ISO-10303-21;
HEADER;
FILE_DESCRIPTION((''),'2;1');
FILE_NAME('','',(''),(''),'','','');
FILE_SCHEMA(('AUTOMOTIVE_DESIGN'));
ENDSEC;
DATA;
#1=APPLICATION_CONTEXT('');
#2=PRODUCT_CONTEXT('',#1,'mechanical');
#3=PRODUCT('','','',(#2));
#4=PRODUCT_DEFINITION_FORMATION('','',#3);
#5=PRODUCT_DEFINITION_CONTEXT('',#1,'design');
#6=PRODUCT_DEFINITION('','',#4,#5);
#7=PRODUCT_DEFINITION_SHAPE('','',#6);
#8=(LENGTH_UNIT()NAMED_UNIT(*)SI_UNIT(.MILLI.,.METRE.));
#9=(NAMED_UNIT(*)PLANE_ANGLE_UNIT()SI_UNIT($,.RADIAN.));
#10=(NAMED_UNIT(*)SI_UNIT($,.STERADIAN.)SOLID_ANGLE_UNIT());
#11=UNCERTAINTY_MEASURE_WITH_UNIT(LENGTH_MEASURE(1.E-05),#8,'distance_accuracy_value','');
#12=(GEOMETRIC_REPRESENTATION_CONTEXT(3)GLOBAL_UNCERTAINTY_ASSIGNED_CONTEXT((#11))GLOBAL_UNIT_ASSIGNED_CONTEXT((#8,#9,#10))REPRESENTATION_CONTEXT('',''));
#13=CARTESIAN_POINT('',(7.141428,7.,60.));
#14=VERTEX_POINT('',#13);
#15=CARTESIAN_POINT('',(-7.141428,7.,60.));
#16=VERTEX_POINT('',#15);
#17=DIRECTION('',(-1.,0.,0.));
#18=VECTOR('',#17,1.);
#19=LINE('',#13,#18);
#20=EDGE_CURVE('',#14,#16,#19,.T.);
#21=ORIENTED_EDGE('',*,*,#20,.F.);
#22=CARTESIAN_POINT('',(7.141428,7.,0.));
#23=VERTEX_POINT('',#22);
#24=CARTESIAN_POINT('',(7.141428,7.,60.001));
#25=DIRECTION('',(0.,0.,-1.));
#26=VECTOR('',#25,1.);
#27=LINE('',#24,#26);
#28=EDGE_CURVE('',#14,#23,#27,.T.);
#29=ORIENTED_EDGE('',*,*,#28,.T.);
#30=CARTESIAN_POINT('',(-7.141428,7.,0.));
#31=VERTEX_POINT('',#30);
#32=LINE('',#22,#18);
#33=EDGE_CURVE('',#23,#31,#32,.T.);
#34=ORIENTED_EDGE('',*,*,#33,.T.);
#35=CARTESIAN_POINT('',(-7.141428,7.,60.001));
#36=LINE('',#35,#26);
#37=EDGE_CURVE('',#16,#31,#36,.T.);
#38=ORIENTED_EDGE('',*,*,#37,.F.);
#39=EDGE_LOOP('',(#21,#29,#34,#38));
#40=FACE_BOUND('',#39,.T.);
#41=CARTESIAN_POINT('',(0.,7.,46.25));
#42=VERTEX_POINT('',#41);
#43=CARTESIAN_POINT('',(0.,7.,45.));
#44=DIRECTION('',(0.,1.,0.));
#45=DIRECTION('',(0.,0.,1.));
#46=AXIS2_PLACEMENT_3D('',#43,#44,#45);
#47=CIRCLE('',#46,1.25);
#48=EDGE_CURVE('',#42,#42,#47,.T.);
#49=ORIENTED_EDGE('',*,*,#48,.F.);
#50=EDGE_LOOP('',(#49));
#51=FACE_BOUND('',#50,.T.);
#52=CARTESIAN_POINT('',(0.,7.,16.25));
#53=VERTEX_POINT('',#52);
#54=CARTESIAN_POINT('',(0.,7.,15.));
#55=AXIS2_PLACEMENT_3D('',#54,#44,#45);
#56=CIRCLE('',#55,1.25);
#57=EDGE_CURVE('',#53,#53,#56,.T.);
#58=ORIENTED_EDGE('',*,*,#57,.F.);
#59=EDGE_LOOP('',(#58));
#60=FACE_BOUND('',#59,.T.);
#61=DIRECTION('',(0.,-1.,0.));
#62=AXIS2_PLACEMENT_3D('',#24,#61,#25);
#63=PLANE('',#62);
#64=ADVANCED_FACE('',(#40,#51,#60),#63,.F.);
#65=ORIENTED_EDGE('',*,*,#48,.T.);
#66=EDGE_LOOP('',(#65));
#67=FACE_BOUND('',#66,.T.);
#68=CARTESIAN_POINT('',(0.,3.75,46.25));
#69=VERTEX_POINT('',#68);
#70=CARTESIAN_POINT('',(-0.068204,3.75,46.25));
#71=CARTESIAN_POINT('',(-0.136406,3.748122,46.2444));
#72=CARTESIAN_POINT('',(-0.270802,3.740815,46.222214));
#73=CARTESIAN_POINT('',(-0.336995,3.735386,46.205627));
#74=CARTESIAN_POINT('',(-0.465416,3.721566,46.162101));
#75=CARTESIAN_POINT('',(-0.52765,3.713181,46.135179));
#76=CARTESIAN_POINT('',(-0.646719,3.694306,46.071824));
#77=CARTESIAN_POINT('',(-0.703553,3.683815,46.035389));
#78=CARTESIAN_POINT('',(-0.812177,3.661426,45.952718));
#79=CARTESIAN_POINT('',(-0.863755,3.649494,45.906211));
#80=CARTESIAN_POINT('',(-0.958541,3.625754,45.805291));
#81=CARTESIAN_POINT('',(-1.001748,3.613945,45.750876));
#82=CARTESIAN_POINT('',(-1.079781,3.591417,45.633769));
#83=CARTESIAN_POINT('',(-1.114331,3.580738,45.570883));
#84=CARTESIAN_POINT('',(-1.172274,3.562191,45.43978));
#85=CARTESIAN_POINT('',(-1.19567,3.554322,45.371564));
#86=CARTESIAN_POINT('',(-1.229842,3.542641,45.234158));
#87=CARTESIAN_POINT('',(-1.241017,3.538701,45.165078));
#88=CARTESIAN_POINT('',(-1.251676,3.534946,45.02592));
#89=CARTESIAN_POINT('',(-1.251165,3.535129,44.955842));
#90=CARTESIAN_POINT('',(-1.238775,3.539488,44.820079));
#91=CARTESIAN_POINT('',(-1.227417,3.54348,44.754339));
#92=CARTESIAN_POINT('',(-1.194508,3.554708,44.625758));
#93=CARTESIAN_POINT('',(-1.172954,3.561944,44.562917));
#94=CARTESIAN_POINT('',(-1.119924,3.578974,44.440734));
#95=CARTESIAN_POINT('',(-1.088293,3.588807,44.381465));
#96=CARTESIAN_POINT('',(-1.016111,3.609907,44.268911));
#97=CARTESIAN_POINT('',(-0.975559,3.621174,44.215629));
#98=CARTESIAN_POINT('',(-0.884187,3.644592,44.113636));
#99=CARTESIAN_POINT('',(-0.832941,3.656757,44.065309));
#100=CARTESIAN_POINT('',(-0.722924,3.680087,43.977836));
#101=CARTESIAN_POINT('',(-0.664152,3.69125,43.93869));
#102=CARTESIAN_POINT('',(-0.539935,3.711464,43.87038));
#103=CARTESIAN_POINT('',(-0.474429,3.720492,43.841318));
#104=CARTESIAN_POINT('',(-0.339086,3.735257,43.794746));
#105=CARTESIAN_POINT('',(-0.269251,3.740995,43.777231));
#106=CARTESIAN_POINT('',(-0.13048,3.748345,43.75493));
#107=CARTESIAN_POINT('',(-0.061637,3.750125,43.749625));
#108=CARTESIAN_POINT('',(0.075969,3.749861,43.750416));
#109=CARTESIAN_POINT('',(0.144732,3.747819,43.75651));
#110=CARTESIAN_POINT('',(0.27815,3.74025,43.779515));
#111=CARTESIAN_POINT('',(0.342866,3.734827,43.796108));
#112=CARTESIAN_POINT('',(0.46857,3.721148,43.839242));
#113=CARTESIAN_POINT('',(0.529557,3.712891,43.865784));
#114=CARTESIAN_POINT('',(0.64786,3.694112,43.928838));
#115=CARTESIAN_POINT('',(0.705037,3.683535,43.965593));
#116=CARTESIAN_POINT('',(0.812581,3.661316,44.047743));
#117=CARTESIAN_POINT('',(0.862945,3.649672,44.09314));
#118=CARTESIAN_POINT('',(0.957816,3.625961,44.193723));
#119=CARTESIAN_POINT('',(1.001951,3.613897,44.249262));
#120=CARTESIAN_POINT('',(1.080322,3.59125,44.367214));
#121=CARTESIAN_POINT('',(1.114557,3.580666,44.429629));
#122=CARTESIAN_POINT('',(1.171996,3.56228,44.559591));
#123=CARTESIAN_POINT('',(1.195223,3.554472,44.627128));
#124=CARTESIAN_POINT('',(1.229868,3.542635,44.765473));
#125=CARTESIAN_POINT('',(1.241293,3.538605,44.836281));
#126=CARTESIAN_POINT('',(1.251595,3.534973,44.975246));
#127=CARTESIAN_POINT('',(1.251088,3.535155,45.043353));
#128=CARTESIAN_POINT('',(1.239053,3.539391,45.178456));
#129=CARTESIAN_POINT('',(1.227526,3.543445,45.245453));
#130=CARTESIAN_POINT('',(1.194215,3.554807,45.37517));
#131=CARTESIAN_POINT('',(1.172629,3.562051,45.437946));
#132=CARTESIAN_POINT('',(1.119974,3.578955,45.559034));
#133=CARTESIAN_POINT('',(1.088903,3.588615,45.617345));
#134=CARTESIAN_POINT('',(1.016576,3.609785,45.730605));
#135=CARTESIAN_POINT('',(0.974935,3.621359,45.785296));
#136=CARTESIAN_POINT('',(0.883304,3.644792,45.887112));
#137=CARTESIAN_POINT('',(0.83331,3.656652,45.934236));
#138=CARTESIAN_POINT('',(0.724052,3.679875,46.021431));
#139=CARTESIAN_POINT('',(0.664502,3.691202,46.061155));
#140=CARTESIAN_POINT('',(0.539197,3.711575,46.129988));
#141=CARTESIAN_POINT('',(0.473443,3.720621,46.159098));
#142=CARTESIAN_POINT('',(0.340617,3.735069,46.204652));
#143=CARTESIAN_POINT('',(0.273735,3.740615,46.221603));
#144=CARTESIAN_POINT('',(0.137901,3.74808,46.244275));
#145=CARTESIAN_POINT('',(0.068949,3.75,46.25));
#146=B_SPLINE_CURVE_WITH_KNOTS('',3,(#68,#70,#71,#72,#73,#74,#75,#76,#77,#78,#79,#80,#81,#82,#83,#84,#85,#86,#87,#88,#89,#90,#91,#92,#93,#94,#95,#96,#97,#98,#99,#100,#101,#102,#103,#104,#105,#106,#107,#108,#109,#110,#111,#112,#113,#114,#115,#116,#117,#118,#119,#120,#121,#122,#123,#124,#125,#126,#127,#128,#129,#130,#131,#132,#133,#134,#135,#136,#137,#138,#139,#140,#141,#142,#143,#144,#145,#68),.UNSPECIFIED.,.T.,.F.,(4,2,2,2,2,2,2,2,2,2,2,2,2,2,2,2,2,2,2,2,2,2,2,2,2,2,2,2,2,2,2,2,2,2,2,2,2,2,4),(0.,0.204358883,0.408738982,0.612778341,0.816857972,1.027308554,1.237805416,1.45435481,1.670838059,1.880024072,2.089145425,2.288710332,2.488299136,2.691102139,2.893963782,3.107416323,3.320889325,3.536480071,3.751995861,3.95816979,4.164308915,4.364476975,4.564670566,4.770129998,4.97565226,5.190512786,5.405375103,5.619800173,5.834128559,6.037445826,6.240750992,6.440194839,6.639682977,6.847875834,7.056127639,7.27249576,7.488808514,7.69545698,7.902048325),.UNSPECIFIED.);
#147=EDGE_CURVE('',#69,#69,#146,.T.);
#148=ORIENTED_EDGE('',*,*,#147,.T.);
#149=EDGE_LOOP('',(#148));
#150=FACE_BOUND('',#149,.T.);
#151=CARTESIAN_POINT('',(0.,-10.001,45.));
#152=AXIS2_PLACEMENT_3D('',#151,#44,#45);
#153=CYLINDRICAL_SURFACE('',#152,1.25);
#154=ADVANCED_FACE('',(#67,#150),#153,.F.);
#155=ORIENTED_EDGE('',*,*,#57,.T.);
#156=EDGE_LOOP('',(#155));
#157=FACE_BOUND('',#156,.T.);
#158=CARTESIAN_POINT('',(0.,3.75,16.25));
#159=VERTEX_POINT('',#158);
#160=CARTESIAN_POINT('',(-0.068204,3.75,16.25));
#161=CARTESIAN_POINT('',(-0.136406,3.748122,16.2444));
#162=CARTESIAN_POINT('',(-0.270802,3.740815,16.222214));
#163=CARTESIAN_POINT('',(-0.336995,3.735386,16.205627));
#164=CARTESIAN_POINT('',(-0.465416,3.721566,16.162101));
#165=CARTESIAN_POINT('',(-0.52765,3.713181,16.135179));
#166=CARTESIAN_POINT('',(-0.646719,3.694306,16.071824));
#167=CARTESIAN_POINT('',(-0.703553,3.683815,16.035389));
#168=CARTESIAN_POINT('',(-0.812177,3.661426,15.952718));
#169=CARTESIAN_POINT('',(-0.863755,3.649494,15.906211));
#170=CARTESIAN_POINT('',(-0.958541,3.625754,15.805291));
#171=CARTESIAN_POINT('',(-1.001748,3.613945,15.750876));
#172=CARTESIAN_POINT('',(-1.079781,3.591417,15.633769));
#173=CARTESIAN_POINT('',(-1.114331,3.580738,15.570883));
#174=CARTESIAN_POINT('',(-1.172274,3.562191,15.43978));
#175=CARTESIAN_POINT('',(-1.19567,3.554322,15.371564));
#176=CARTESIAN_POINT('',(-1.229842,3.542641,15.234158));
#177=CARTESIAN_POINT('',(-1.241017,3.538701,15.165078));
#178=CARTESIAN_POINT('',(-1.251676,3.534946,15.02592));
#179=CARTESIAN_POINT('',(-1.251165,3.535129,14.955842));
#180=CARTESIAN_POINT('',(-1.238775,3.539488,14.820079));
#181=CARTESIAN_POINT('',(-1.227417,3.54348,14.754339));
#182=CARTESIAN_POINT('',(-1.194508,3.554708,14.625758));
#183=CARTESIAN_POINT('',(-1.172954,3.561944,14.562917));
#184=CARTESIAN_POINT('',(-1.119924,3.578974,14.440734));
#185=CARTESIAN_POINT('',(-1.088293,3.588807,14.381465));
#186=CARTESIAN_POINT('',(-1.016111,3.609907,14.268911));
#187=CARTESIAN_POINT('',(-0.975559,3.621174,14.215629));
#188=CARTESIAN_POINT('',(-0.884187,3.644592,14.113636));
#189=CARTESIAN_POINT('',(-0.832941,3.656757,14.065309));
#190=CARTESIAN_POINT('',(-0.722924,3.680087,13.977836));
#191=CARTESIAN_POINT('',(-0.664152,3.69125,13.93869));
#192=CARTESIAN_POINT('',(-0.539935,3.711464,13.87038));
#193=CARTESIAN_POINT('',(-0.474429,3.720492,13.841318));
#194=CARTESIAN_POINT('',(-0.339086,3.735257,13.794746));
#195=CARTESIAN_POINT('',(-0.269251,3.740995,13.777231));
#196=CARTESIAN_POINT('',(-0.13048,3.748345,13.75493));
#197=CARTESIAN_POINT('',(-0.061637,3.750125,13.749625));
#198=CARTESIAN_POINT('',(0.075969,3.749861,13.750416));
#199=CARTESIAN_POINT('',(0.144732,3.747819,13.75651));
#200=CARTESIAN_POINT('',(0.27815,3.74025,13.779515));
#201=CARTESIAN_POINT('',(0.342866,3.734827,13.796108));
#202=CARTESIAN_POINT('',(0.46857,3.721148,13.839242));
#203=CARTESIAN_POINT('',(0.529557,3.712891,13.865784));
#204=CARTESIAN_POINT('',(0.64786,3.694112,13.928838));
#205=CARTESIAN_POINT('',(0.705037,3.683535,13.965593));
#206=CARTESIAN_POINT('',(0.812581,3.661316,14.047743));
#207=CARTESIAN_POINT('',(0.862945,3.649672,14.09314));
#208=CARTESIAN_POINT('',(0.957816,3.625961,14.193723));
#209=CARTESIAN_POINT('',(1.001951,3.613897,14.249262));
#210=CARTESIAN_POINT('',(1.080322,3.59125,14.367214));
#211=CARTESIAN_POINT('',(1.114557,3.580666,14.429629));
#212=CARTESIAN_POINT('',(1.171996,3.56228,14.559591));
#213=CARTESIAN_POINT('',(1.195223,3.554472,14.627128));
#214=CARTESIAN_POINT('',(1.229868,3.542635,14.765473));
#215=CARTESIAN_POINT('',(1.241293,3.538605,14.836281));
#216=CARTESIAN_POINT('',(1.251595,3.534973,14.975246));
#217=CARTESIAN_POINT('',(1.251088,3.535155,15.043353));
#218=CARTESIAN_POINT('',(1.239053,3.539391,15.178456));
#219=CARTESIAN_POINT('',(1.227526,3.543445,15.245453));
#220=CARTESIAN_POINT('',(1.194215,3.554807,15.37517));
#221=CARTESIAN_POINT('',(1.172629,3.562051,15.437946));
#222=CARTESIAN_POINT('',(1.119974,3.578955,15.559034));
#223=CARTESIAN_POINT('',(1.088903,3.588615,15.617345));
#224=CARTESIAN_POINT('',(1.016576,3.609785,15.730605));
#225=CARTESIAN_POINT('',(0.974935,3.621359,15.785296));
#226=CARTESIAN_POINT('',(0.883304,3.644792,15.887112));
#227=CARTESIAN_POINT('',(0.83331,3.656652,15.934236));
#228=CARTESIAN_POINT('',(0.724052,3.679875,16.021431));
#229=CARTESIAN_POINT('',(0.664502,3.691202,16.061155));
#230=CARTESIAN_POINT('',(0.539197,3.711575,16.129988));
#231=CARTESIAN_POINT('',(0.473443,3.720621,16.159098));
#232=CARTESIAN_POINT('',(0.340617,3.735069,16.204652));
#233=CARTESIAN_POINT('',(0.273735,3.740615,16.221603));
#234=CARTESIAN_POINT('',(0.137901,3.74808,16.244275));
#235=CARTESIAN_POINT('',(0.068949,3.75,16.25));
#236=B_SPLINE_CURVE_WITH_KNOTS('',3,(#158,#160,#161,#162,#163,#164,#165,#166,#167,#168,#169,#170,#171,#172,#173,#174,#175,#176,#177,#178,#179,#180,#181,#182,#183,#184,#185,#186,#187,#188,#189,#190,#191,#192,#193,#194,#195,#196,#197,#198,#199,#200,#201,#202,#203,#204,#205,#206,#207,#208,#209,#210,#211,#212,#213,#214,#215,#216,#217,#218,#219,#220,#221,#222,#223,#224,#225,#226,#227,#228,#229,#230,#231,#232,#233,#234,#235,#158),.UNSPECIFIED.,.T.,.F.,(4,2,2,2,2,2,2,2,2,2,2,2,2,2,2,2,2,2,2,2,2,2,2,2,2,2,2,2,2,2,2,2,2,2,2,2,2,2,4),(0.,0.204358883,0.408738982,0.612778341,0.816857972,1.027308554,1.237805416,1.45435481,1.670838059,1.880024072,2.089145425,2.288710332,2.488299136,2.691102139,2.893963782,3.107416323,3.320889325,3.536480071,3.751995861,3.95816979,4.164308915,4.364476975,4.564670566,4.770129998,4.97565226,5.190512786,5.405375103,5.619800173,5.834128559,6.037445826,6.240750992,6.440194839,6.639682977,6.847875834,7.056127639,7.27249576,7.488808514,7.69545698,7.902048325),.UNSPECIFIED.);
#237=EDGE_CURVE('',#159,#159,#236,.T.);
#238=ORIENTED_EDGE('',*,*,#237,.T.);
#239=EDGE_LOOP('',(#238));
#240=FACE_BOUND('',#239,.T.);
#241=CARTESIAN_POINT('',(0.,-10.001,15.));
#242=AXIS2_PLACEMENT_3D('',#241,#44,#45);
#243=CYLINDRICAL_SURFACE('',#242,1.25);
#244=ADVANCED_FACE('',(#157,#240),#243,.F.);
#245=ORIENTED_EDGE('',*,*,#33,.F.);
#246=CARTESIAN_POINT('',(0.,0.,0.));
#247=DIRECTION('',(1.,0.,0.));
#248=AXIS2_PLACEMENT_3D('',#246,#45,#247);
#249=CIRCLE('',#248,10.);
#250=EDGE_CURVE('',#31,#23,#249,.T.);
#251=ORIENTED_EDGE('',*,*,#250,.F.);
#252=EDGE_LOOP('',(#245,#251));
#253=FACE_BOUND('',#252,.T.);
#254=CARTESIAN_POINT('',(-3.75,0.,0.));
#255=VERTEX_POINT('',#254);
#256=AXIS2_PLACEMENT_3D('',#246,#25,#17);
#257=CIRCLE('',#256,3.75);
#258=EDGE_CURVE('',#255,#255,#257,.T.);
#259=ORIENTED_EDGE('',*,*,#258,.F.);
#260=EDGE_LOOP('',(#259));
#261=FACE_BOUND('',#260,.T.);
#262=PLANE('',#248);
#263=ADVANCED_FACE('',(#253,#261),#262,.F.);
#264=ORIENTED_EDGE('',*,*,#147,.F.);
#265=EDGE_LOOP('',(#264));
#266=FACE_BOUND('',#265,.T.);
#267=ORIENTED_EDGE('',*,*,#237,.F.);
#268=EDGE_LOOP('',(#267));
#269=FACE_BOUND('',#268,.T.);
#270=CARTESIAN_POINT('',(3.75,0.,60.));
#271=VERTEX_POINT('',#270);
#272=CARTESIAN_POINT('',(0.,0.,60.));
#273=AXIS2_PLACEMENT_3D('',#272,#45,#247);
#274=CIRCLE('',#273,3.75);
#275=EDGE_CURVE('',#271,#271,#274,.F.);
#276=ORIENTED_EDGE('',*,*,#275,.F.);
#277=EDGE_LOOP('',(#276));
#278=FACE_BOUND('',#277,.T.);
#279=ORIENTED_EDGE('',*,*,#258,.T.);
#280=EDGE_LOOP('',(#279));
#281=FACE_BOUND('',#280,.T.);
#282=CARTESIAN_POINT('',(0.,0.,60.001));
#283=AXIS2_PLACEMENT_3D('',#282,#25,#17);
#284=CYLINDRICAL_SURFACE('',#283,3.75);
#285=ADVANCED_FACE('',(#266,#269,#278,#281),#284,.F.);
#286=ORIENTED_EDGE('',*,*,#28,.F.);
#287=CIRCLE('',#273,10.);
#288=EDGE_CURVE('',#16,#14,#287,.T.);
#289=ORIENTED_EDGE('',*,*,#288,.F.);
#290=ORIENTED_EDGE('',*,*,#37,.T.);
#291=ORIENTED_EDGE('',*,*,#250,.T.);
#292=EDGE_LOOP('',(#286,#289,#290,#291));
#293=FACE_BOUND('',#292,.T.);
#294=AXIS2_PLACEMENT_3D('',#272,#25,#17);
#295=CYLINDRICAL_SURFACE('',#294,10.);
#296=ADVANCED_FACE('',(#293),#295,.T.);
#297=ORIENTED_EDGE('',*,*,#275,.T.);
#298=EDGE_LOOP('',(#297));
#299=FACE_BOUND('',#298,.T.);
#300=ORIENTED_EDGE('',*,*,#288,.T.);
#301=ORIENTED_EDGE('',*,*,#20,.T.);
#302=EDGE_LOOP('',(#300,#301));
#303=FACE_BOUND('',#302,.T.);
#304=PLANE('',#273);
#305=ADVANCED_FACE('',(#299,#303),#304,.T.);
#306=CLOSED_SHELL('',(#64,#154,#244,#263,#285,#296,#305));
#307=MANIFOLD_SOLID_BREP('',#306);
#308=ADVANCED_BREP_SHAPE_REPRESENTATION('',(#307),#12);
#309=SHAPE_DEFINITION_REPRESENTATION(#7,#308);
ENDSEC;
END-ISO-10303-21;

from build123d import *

# Parameters (mm, degrees)
SKETCH1_R               = 10
BOSS_EXTRUDE1_DEPTH     = 60
CUT_EXTRUDE1_REACH      = 63.644
SKETCH2_R               = 3.75
CUT_EXTRUDE2_REACH      = 65.159
CUT_EXTRUDE2_END_RADIUS = 3.75
SKETCH3_R               = 1.25


with BuildPart() as part:
    # Sketch1 → Boss-Extrude1 (new body)
    with BuildSketch(Plane.XY):
        Circle(SKETCH1_R)
    extrude(amount=BOSS_EXTRUDE1_DEPTH)

    # Sketch2 → Cut-Extrude1 (cut, up to next)
    with BuildSketch(Plane(origin=(0, 0, 0), x_dir=(-1, 0, 0), z_dir=(0, 0, -1)), mode=Mode.PRIVATE) as cut_extrude1_sk1:
        Circle(SKETCH2_R)
    cut_extrude1_tool1 = extrude(cut_extrude1_sk1.sketch, amount=-CUT_EXTRUDE1_REACH, mode=Mode.PRIVATE) & part.part
    # Sketch2 → Cut-Extrude1 (cut, up to next)
    with BuildSketch(Plane(origin=(0, 0, 0), x_dir=(-1, 0, 0), z_dir=(0, 0, -1)), mode=Mode.PRIVATE) as cut_extrude1_sk2:
        with BuildLine():
            Line((-7.141428429, 7), (7.141428429, 7))
            ThreePointArc((7.141428429, 7), (0, 10), (-7.141428429, 7))
        make_face()
    cut_extrude1_tool2 = extrude(cut_extrude1_sk2.sketch, amount=-CUT_EXTRUDE1_REACH, mode=Mode.PRIVATE) & part.part
    add(cut_extrude1_tool1.solids().sort_by_distance((0, 0, 0))[0], mode=Mode.SUBTRACT)
    add(cut_extrude1_tool2.solids().sort_by_distance((0, 8.216904, 0))[0], mode=Mode.SUBTRACT)

    # Cut-Extrude2: up to this cylinder (the profile starts outside it)
    cut_extrude2_end = Plane(origin=(0, 0, 30), z_dir=(0, 0, -1)) * Cylinder(CUT_EXTRUDE2_END_RADIUS, 168.818, mode=Mode.PRIVATE)
    # Sketch3 → Cut-Extrude2 (cut, up to the surface)
    with BuildSketch(Plane(origin=(0, 7, 0), x_dir=(1, 0, 0), z_dir=(0, 1, 0)), mode=Mode.PRIVATE) as cut_extrude2_sk1:
        with Locations(Location((0, -15, 0), (0, 0, 270))):
            Circle(SKETCH3_R)
    cut_extrude2_tool1 = extrude(cut_extrude2_sk1.sketch, amount=-CUT_EXTRUDE2_REACH, mode=Mode.PRIVATE) - cut_extrude2_end
    add(cut_extrude2_tool1.solids().sort_by_distance((0, 7, 15))[0], mode=Mode.SUBTRACT)
    # Sketch3 → Cut-Extrude2 (cut, up to the surface)
    with BuildSketch(Plane(origin=(0, 7, 0), x_dir=(1, 0, 0), z_dir=(0, 1, 0)), mode=Mode.PRIVATE) as cut_extrude2_sk2:
        with Locations(Location((0, -45, 0), (0, 0, 270))):
            Circle(SKETCH3_R)
    cut_extrude2_tool2 = extrude(cut_extrude2_sk2.sketch, amount=-CUT_EXTRUDE2_REACH, mode=Mode.PRIVATE) - cut_extrude2_end
    add(cut_extrude2_tool2.solids().sort_by_distance((0, 7, 45))[0], mode=Mode.SUBTRACT)


solid = part.part
